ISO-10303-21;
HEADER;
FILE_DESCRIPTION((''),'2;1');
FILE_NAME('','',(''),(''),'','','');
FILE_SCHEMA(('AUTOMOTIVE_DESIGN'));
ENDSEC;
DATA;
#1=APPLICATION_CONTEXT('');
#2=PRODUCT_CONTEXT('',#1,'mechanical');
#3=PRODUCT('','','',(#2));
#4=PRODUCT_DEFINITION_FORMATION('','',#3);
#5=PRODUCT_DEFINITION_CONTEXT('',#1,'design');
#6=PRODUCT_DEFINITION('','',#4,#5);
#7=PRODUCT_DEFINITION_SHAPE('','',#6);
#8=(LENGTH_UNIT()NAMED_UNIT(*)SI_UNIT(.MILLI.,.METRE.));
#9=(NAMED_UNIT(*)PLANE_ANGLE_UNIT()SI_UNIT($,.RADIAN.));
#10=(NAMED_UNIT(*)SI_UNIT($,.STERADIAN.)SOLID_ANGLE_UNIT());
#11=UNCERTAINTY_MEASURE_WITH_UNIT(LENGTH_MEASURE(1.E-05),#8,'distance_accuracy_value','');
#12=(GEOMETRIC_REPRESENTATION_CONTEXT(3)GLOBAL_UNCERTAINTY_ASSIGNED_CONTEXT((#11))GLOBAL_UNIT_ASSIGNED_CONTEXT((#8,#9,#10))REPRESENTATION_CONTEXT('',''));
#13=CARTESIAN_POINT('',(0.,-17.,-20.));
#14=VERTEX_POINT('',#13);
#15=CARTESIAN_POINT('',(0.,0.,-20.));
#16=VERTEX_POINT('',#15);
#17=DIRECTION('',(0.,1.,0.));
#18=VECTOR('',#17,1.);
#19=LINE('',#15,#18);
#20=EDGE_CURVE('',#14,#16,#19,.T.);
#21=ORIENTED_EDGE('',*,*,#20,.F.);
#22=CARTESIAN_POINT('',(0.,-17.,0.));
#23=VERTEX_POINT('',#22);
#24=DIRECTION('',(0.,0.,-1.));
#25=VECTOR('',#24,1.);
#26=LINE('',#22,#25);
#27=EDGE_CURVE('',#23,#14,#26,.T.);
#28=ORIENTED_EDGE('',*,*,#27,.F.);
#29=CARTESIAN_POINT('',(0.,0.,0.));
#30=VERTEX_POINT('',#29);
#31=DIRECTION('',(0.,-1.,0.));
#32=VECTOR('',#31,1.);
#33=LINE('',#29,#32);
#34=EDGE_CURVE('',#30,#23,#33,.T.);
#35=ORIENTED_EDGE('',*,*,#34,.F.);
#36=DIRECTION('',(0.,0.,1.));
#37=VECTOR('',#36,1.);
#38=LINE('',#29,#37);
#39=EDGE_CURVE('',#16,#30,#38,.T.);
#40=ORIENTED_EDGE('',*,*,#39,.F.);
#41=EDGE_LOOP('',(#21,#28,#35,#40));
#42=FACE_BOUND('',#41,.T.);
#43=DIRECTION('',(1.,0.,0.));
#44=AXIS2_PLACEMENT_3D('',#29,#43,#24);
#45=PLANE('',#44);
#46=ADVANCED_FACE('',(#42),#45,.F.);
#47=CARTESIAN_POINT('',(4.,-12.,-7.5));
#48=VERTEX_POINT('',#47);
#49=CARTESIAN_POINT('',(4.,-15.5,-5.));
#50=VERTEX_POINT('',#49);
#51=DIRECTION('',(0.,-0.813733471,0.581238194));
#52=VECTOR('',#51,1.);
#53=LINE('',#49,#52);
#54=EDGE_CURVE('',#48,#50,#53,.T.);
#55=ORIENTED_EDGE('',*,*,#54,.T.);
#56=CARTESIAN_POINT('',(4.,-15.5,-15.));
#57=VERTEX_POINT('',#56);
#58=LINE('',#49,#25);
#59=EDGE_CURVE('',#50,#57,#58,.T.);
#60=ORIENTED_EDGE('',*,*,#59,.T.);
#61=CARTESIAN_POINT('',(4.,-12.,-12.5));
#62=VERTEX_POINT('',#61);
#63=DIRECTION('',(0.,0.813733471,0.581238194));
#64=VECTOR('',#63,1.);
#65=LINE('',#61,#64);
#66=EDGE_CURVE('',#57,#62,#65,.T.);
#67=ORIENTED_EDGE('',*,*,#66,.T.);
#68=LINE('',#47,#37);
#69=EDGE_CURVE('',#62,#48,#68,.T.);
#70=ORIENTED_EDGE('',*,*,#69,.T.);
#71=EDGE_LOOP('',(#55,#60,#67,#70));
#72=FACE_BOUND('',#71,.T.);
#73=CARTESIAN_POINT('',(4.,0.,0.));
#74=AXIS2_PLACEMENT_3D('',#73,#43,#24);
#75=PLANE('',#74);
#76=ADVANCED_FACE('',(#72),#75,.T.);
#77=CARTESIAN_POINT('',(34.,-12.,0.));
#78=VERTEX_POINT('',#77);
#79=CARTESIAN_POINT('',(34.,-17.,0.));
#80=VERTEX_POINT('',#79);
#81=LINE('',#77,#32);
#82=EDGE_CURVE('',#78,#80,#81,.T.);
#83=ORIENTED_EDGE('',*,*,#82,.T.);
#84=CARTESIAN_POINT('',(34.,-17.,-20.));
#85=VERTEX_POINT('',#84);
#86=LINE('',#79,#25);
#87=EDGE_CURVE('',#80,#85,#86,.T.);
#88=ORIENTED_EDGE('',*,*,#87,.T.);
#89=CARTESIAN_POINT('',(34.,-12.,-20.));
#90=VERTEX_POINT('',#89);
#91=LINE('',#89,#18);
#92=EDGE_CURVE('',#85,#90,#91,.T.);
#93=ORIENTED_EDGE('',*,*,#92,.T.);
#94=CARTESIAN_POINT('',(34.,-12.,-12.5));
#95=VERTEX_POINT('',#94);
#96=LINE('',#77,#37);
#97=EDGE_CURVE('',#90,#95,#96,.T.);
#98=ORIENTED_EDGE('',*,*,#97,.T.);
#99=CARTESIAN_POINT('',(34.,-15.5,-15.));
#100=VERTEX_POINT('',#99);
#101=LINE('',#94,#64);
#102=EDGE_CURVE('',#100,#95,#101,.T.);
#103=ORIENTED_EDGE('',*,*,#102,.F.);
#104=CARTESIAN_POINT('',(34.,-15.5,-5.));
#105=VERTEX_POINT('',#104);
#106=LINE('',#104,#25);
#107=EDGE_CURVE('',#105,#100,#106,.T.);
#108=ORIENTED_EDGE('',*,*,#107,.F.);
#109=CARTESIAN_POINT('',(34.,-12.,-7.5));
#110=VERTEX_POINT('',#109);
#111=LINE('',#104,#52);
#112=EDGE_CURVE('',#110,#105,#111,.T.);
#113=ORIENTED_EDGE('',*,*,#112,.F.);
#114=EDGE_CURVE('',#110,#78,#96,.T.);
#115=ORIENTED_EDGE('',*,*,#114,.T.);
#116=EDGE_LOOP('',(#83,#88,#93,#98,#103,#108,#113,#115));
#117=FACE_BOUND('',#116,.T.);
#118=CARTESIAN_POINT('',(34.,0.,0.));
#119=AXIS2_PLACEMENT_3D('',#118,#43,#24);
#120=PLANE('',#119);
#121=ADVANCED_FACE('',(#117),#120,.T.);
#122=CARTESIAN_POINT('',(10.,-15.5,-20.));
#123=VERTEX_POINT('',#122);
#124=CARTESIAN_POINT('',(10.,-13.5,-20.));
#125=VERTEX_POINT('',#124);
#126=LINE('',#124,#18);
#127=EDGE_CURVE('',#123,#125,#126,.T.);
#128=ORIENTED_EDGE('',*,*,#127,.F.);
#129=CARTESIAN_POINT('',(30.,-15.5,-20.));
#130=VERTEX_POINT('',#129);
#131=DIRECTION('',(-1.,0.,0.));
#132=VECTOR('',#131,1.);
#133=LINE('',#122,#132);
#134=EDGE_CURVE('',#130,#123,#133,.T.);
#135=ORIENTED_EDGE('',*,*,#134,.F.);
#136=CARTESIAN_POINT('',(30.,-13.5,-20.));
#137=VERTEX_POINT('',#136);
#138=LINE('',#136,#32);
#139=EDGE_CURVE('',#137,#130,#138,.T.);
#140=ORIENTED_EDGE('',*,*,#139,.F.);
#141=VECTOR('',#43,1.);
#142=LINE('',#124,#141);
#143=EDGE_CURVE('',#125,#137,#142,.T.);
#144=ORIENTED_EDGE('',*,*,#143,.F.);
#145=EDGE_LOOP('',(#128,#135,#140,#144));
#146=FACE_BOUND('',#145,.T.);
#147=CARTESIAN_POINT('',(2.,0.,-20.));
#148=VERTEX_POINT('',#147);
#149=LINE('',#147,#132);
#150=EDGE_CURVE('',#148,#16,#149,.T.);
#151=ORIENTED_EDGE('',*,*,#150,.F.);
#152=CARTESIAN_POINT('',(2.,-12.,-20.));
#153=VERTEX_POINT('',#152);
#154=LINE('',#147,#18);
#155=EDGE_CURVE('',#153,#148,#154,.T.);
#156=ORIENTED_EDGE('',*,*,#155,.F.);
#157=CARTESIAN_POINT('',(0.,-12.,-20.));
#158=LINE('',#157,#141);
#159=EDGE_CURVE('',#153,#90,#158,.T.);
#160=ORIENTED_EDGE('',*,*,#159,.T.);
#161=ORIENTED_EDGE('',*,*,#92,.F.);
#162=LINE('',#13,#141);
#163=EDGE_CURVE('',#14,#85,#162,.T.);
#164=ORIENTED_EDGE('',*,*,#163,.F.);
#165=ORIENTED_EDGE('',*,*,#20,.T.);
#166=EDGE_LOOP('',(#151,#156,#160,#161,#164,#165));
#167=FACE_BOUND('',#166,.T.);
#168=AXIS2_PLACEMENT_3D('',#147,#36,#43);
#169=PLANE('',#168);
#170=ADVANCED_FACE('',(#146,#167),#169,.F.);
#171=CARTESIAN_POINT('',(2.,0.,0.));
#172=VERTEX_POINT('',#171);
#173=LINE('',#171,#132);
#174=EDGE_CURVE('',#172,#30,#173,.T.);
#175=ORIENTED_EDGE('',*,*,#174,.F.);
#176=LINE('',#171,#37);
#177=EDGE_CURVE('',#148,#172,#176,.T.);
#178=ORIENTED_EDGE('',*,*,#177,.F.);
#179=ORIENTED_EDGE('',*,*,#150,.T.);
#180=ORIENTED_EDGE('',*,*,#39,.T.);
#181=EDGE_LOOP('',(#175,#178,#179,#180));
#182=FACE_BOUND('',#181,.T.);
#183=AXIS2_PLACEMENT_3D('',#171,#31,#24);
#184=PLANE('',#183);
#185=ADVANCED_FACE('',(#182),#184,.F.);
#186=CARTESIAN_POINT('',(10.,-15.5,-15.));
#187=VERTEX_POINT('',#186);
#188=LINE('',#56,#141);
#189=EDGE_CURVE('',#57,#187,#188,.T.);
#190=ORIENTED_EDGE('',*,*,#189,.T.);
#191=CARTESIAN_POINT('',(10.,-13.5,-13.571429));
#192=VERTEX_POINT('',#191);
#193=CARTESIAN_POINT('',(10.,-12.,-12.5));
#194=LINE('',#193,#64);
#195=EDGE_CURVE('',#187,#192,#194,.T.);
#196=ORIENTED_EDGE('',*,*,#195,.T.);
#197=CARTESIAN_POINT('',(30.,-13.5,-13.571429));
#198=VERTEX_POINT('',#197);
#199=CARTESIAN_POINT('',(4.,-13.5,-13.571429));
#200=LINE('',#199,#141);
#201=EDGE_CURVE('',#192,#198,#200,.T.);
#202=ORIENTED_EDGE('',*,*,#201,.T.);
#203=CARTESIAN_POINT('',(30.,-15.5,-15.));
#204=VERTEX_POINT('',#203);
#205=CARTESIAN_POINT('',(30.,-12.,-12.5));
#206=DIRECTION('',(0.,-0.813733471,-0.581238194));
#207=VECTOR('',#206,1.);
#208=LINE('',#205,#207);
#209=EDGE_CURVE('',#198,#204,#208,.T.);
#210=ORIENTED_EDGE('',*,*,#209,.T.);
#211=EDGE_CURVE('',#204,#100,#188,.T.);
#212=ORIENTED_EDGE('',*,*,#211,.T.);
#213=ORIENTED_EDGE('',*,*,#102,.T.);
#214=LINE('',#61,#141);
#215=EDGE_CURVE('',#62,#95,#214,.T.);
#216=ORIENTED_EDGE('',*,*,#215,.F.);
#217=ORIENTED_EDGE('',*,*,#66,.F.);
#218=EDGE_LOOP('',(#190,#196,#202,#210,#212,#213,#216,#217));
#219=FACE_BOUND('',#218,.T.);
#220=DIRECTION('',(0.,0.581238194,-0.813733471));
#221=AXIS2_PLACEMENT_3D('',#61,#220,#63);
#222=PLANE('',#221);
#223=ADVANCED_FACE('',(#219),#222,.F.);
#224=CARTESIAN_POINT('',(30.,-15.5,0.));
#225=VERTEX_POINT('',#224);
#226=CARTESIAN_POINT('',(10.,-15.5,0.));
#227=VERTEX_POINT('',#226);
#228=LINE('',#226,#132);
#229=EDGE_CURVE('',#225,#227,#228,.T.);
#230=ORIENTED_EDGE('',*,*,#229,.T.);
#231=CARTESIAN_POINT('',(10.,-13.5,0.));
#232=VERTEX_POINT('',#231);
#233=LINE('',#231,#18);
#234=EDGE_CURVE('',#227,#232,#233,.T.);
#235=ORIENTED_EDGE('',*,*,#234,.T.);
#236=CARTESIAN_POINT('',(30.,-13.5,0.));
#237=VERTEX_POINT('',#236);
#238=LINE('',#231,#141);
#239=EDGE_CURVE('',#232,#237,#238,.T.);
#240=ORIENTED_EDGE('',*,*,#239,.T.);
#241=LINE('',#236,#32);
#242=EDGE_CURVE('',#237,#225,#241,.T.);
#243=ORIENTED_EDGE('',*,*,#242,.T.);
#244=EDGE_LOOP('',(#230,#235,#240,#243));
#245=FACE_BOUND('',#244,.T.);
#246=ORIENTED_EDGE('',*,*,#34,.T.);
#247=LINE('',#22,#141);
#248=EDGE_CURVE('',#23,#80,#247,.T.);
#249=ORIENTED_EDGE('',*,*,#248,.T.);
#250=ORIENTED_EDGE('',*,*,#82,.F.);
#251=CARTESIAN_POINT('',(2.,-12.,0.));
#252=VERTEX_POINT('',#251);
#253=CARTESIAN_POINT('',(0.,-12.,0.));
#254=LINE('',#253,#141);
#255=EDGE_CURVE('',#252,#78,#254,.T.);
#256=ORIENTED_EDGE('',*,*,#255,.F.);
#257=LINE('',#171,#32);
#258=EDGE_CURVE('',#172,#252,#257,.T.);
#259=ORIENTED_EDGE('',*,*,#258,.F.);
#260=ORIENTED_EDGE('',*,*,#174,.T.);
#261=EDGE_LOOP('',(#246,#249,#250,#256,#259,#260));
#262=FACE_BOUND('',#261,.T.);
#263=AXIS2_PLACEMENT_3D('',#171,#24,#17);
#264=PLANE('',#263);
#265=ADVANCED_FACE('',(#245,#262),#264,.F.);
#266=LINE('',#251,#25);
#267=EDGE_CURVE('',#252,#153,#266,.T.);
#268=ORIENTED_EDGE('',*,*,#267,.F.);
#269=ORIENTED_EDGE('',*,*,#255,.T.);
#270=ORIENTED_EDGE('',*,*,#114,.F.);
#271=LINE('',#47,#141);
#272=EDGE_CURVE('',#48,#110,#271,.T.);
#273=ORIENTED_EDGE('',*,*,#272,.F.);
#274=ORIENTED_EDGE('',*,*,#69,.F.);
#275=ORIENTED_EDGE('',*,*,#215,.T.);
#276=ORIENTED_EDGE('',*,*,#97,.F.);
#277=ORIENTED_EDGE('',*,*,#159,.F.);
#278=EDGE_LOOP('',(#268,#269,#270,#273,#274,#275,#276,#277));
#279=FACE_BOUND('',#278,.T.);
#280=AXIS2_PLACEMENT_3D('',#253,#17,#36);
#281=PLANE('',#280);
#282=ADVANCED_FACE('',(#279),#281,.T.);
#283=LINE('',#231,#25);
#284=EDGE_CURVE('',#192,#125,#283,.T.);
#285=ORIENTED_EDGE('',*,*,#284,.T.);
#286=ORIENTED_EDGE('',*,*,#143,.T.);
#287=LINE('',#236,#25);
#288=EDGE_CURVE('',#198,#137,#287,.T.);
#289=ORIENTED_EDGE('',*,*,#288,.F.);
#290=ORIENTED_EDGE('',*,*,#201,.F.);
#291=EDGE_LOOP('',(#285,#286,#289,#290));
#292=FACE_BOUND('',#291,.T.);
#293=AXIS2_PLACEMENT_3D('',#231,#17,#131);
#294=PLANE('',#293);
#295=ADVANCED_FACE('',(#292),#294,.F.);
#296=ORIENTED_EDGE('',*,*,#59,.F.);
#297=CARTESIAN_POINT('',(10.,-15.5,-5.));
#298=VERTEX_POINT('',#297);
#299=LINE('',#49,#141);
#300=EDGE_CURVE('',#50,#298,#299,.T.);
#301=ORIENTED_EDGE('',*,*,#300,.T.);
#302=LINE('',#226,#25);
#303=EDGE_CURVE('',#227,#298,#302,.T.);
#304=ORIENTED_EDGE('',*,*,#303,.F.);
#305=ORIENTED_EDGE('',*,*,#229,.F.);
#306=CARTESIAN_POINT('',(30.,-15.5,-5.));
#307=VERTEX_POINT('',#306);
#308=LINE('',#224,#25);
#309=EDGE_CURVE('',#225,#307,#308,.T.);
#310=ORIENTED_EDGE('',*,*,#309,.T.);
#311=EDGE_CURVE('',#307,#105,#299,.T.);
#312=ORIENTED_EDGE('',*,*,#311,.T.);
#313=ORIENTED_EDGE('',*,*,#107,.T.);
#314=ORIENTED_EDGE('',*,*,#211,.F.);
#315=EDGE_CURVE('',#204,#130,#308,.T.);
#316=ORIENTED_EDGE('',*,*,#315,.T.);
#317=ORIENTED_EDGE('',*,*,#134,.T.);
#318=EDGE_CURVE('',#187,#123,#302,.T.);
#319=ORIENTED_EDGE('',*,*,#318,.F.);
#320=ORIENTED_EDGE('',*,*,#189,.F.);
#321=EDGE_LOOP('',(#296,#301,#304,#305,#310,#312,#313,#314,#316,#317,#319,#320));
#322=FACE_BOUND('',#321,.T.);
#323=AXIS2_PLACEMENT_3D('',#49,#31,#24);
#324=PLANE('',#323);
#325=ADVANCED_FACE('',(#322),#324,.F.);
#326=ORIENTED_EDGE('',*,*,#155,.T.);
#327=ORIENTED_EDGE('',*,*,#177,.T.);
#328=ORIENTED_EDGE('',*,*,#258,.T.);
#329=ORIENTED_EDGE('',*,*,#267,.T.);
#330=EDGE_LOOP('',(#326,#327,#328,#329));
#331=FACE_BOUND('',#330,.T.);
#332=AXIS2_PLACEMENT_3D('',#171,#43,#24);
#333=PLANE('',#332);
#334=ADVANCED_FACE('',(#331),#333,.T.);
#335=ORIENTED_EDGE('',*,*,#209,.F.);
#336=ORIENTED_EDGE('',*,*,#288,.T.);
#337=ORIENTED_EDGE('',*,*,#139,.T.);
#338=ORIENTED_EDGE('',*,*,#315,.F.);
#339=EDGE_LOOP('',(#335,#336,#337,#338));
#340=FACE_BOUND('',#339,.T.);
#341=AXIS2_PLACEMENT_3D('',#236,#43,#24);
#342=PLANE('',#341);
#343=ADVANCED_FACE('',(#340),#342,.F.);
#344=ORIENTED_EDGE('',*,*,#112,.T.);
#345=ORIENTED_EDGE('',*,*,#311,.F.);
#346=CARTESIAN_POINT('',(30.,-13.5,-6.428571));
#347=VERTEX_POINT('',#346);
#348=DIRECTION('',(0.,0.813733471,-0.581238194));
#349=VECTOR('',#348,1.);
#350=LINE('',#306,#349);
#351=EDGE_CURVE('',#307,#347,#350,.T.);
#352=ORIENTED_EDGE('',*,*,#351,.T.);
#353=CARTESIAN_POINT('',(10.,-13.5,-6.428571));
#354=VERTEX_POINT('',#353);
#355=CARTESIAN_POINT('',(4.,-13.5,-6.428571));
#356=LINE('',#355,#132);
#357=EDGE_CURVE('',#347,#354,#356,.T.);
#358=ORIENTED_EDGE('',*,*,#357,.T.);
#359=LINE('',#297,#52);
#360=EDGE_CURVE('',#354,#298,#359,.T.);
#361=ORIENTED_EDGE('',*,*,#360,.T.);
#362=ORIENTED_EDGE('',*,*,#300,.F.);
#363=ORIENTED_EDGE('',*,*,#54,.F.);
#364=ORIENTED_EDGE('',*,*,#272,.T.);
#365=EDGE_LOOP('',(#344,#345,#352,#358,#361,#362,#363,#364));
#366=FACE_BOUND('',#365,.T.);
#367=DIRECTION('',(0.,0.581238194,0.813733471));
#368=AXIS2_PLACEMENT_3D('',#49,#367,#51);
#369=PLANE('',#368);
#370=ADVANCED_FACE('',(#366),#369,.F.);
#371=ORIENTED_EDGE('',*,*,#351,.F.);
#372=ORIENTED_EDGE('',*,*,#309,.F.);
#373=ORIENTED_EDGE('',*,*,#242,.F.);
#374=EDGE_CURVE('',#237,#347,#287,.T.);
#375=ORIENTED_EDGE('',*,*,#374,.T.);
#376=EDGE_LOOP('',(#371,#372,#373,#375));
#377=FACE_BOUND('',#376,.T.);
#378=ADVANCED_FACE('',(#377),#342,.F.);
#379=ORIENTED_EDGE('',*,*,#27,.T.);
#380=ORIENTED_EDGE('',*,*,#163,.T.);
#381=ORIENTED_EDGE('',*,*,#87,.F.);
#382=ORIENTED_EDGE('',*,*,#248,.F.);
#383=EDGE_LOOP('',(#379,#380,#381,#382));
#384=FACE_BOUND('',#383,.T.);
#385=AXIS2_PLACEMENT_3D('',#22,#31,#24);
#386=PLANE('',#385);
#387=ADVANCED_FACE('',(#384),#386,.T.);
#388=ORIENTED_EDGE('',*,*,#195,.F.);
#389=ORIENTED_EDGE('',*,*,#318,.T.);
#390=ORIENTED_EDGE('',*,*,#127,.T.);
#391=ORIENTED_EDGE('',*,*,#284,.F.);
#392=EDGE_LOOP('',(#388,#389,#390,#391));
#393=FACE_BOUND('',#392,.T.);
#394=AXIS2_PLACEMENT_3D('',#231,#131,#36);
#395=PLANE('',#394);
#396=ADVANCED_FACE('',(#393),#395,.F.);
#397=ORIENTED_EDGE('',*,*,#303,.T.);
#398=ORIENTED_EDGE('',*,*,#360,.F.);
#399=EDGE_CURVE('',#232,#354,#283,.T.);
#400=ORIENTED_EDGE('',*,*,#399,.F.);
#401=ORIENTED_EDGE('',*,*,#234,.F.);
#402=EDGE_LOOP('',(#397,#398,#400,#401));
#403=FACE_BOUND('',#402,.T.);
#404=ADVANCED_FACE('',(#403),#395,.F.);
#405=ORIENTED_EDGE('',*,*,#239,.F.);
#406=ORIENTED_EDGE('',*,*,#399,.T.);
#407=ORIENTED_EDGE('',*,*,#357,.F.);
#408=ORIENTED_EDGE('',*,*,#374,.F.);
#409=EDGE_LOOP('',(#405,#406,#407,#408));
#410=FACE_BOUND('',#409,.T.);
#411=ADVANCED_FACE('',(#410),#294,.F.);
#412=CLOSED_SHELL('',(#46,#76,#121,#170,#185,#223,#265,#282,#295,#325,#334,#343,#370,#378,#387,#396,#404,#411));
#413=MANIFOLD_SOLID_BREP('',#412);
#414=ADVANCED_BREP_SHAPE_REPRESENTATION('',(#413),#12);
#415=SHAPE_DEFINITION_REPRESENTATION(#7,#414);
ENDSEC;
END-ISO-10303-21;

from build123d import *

# Parameters (mm, degrees)
SKETCH3_W                = 20
SKETCH3_H                = 12
BOSS_EXTRUDE3_DEPTH      = 2
BOSS_EXTRUDE5_DEPTH      = 32
BOSS_EXTRUDE5_DEPTH_BACK = 2
SKETCH4_W                = 20
SKETCH4_H                = 5
CUT_EXTRUDE1_DEPTH       = 30
SKETCH7_W                = 20
SKETCH7_H                = 2
CUT_EXTRUDE2_DEPTH       = 43.95346319


with BuildPart() as part:
    # Sketch3 → Boss-Extrude3 (new body)
    with BuildSketch(Plane(origin=(0, 0, 0), x_dir=(0, 0, -1), z_dir=(1, 0, 0))):
        with Locations((10, -6)):
            Rectangle(SKETCH3_W, SKETCH3_H)
    extrude(amount=BOSS_EXTRUDE3_DEPTH)

    # Sketch4 → Boss-Extrude5 (add, two sides: drawn at the far end of the back side and taken through both)
    with BuildSketch(Plane(origin=(2, 0, 0), x_dir=(0, 0, -1), z_dir=(1, 0, 0)).offset(-BOSS_EXTRUDE5_DEPTH_BACK)):
        with Locations((10, -14.5)):
            Rectangle(SKETCH4_W, SKETCH4_H)
    extrude(amount=BOSS_EXTRUDE5_DEPTH + BOSS_EXTRUDE5_DEPTH_BACK)

    # Sketch6 → Cut-Extrude1 (cut)
    with BuildSketch(Plane(origin=(34, 0, 0), x_dir=(0, 0, -1), z_dir=(1, 0, 0))):
        Polygon((5, -15.5), (15, -15.5), (12.5, -12), (7.5, -12), align=None)
    extrude(amount=-CUT_EXTRUDE1_DEPTH, mode=Mode.SUBTRACT)

    # Sketch7 → Cut-Extrude2 (cut, through all)
    with BuildSketch(Plane(origin=(0, 0, -20), x_dir=(-1, 0, 0), z_dir=(0, 0, -1))):
        with Locations((-20, -14.5)):
            Rectangle(SKETCH7_W, SKETCH7_H)
    extrude(amount=-CUT_EXTRUDE2_DEPTH, mode=Mode.SUBTRACT)


solid = part.part
